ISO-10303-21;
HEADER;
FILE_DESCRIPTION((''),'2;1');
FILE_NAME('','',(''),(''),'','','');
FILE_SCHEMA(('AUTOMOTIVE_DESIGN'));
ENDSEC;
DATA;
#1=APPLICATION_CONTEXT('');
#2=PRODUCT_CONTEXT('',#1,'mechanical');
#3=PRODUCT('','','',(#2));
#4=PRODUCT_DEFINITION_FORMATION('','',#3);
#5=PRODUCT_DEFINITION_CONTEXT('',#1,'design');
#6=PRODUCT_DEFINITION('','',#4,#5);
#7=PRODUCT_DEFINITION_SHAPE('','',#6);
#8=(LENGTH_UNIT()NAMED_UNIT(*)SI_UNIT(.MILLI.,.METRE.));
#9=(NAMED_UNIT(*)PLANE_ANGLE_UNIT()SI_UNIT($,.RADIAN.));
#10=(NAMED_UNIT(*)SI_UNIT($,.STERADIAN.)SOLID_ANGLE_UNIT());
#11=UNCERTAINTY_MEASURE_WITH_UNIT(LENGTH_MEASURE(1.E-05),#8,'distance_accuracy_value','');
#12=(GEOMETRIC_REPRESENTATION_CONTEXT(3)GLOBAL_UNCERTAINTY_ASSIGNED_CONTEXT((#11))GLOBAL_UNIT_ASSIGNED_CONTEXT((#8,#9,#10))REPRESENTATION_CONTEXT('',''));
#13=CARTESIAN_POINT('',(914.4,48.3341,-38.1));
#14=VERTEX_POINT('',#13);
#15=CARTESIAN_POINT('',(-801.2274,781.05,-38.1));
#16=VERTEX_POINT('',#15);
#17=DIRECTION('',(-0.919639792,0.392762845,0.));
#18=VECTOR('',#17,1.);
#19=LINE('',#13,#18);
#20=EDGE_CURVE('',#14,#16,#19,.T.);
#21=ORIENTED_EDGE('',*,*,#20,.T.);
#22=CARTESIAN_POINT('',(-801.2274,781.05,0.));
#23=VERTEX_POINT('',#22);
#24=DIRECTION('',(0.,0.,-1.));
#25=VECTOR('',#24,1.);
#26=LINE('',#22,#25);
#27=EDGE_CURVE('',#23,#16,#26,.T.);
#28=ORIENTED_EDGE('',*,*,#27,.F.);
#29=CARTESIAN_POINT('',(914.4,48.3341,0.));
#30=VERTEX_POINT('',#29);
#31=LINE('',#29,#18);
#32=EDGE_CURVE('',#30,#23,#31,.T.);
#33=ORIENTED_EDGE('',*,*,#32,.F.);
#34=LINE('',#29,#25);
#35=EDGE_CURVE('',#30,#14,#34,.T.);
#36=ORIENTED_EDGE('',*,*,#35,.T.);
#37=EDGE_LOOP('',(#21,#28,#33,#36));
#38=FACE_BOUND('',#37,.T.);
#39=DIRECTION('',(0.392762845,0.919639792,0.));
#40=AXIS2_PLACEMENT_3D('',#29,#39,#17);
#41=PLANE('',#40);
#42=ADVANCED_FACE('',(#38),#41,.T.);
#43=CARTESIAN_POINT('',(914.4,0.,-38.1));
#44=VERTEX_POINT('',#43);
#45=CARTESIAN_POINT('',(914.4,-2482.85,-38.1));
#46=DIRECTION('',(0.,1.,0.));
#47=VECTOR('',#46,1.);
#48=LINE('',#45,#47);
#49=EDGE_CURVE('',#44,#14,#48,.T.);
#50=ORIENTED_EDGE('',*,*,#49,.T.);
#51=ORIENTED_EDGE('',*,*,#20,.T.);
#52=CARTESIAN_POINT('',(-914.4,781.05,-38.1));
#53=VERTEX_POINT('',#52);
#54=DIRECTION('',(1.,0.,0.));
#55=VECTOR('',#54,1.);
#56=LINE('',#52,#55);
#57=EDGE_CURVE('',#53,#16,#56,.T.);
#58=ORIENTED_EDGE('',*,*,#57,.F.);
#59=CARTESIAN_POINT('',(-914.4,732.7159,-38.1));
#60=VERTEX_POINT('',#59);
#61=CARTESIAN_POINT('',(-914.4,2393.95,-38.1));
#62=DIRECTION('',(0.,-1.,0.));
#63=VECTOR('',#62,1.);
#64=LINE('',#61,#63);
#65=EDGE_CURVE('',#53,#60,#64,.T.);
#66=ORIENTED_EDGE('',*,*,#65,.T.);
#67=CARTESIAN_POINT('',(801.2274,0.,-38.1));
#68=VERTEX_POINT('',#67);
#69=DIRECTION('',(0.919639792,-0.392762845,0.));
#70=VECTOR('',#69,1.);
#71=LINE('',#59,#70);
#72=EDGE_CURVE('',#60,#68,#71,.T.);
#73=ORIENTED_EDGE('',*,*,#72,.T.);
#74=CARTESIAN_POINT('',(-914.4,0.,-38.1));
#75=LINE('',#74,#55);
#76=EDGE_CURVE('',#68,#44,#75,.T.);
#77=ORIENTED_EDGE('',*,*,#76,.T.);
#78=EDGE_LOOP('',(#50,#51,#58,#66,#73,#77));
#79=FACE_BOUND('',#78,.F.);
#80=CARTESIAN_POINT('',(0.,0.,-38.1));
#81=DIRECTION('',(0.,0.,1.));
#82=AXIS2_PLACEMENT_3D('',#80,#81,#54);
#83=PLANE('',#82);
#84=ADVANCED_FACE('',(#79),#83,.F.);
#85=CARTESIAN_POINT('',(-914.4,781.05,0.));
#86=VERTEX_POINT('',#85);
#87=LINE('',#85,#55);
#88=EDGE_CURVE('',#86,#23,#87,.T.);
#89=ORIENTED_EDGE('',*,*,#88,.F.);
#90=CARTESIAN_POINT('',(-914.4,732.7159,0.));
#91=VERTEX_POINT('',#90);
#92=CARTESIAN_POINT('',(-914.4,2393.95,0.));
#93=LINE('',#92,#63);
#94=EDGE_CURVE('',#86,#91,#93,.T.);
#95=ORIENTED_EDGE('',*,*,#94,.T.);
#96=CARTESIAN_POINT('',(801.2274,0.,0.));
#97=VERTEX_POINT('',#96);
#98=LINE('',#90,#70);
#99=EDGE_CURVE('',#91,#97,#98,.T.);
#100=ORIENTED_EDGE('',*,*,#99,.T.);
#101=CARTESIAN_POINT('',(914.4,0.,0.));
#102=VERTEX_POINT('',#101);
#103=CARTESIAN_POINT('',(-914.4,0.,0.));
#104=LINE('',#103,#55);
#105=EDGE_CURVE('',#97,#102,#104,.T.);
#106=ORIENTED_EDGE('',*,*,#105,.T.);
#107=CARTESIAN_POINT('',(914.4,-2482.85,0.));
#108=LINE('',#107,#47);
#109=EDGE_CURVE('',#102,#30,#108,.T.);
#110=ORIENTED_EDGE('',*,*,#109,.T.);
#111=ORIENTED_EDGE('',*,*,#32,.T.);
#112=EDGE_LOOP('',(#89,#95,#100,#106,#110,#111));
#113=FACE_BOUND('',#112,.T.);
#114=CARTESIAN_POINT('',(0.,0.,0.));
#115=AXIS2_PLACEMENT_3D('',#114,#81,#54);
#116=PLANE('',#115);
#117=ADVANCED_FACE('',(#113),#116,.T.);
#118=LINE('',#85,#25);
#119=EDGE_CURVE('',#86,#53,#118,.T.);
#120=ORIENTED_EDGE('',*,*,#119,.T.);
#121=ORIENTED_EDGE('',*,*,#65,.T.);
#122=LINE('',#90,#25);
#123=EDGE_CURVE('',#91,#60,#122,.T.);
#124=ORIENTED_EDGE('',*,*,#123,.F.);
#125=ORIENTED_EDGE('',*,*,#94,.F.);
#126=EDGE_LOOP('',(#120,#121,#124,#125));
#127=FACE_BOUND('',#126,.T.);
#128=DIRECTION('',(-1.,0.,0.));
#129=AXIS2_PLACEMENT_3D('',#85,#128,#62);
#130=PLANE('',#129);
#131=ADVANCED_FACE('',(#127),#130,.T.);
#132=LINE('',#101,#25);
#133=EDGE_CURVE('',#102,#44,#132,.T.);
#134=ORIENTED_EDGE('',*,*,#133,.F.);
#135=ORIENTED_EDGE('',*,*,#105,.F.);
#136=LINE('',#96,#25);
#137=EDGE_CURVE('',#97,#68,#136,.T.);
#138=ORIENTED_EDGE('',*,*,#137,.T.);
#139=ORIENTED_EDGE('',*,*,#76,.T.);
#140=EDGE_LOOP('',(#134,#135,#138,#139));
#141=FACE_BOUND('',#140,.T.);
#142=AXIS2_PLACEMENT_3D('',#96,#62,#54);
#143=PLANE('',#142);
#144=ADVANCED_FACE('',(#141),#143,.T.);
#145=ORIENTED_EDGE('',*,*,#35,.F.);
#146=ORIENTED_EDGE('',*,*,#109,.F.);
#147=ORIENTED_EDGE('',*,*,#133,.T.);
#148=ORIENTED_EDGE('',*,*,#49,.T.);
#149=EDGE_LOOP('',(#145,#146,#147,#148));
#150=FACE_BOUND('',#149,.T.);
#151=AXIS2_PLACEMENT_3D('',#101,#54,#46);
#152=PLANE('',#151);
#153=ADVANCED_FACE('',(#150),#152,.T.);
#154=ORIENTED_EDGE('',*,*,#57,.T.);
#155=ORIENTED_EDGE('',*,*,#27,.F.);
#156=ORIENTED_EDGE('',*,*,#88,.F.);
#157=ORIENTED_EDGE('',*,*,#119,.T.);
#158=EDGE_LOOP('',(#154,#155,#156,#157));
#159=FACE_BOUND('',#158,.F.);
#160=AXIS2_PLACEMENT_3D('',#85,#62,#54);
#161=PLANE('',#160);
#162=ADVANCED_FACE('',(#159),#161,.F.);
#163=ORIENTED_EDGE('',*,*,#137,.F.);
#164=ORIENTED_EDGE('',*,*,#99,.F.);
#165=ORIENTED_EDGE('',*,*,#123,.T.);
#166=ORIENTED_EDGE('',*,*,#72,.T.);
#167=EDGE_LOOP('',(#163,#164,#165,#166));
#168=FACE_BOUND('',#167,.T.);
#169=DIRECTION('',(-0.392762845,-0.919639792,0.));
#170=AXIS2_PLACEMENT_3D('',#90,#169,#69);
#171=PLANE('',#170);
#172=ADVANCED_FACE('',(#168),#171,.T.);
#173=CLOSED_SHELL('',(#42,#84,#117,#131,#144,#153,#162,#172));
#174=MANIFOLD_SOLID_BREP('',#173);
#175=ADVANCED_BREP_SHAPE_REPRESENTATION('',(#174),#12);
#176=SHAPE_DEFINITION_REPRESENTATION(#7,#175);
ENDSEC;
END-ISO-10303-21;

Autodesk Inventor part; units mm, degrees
ref_plane "YZ Plane" through (0, 0, 0) normal (1, 0, 0) x (0, 1, 0)
ref_plane "XZ Plane" through (0, 0, 0) normal (0, 1, 0) x (-1, 0, 0)
ref_plane "XY Plane" through (0, 0, 0) normal (0, 0, 1) x (1, 0, 0)
sketch "Sketch1" plane through (0, 0, 0) normal (0, 0, 1) x (1, 0, 0)
  line L0 (914.4, -2482.85) -> (914.4, 2393.95) projected
  line L1 (-914.4, 0) -> (914.4, 0) projected
  line L2 (-914.4, 2393.95) -> (-914.4, -2482.85) projected
  line L3 (-914.4, 781.05) -> (914.4, 781.05) projected
  line L4 (-914.4, 732.7159) -> (801.2274, 0)
  line L5 (914.4, 48.3341) -> (-801.2274, 781.05)
  line L6 (914.4, 48.3341) -> (914.4, 0)
  line L7 (801.2274, 0) -> (914.4, 0)
  line L8 (-914.4, 732.7159) -> (-914.4, 781.05)
  line L9 (-801.2274, 781.05) -> (-914.4, 781.05)
  point P0 (0, 0)
extrude "Extrusion1" add sketch "Sketch1" against normal blind 38.1 contours L1 L4 L2 L3 L5 L0
properties part number "side3"
